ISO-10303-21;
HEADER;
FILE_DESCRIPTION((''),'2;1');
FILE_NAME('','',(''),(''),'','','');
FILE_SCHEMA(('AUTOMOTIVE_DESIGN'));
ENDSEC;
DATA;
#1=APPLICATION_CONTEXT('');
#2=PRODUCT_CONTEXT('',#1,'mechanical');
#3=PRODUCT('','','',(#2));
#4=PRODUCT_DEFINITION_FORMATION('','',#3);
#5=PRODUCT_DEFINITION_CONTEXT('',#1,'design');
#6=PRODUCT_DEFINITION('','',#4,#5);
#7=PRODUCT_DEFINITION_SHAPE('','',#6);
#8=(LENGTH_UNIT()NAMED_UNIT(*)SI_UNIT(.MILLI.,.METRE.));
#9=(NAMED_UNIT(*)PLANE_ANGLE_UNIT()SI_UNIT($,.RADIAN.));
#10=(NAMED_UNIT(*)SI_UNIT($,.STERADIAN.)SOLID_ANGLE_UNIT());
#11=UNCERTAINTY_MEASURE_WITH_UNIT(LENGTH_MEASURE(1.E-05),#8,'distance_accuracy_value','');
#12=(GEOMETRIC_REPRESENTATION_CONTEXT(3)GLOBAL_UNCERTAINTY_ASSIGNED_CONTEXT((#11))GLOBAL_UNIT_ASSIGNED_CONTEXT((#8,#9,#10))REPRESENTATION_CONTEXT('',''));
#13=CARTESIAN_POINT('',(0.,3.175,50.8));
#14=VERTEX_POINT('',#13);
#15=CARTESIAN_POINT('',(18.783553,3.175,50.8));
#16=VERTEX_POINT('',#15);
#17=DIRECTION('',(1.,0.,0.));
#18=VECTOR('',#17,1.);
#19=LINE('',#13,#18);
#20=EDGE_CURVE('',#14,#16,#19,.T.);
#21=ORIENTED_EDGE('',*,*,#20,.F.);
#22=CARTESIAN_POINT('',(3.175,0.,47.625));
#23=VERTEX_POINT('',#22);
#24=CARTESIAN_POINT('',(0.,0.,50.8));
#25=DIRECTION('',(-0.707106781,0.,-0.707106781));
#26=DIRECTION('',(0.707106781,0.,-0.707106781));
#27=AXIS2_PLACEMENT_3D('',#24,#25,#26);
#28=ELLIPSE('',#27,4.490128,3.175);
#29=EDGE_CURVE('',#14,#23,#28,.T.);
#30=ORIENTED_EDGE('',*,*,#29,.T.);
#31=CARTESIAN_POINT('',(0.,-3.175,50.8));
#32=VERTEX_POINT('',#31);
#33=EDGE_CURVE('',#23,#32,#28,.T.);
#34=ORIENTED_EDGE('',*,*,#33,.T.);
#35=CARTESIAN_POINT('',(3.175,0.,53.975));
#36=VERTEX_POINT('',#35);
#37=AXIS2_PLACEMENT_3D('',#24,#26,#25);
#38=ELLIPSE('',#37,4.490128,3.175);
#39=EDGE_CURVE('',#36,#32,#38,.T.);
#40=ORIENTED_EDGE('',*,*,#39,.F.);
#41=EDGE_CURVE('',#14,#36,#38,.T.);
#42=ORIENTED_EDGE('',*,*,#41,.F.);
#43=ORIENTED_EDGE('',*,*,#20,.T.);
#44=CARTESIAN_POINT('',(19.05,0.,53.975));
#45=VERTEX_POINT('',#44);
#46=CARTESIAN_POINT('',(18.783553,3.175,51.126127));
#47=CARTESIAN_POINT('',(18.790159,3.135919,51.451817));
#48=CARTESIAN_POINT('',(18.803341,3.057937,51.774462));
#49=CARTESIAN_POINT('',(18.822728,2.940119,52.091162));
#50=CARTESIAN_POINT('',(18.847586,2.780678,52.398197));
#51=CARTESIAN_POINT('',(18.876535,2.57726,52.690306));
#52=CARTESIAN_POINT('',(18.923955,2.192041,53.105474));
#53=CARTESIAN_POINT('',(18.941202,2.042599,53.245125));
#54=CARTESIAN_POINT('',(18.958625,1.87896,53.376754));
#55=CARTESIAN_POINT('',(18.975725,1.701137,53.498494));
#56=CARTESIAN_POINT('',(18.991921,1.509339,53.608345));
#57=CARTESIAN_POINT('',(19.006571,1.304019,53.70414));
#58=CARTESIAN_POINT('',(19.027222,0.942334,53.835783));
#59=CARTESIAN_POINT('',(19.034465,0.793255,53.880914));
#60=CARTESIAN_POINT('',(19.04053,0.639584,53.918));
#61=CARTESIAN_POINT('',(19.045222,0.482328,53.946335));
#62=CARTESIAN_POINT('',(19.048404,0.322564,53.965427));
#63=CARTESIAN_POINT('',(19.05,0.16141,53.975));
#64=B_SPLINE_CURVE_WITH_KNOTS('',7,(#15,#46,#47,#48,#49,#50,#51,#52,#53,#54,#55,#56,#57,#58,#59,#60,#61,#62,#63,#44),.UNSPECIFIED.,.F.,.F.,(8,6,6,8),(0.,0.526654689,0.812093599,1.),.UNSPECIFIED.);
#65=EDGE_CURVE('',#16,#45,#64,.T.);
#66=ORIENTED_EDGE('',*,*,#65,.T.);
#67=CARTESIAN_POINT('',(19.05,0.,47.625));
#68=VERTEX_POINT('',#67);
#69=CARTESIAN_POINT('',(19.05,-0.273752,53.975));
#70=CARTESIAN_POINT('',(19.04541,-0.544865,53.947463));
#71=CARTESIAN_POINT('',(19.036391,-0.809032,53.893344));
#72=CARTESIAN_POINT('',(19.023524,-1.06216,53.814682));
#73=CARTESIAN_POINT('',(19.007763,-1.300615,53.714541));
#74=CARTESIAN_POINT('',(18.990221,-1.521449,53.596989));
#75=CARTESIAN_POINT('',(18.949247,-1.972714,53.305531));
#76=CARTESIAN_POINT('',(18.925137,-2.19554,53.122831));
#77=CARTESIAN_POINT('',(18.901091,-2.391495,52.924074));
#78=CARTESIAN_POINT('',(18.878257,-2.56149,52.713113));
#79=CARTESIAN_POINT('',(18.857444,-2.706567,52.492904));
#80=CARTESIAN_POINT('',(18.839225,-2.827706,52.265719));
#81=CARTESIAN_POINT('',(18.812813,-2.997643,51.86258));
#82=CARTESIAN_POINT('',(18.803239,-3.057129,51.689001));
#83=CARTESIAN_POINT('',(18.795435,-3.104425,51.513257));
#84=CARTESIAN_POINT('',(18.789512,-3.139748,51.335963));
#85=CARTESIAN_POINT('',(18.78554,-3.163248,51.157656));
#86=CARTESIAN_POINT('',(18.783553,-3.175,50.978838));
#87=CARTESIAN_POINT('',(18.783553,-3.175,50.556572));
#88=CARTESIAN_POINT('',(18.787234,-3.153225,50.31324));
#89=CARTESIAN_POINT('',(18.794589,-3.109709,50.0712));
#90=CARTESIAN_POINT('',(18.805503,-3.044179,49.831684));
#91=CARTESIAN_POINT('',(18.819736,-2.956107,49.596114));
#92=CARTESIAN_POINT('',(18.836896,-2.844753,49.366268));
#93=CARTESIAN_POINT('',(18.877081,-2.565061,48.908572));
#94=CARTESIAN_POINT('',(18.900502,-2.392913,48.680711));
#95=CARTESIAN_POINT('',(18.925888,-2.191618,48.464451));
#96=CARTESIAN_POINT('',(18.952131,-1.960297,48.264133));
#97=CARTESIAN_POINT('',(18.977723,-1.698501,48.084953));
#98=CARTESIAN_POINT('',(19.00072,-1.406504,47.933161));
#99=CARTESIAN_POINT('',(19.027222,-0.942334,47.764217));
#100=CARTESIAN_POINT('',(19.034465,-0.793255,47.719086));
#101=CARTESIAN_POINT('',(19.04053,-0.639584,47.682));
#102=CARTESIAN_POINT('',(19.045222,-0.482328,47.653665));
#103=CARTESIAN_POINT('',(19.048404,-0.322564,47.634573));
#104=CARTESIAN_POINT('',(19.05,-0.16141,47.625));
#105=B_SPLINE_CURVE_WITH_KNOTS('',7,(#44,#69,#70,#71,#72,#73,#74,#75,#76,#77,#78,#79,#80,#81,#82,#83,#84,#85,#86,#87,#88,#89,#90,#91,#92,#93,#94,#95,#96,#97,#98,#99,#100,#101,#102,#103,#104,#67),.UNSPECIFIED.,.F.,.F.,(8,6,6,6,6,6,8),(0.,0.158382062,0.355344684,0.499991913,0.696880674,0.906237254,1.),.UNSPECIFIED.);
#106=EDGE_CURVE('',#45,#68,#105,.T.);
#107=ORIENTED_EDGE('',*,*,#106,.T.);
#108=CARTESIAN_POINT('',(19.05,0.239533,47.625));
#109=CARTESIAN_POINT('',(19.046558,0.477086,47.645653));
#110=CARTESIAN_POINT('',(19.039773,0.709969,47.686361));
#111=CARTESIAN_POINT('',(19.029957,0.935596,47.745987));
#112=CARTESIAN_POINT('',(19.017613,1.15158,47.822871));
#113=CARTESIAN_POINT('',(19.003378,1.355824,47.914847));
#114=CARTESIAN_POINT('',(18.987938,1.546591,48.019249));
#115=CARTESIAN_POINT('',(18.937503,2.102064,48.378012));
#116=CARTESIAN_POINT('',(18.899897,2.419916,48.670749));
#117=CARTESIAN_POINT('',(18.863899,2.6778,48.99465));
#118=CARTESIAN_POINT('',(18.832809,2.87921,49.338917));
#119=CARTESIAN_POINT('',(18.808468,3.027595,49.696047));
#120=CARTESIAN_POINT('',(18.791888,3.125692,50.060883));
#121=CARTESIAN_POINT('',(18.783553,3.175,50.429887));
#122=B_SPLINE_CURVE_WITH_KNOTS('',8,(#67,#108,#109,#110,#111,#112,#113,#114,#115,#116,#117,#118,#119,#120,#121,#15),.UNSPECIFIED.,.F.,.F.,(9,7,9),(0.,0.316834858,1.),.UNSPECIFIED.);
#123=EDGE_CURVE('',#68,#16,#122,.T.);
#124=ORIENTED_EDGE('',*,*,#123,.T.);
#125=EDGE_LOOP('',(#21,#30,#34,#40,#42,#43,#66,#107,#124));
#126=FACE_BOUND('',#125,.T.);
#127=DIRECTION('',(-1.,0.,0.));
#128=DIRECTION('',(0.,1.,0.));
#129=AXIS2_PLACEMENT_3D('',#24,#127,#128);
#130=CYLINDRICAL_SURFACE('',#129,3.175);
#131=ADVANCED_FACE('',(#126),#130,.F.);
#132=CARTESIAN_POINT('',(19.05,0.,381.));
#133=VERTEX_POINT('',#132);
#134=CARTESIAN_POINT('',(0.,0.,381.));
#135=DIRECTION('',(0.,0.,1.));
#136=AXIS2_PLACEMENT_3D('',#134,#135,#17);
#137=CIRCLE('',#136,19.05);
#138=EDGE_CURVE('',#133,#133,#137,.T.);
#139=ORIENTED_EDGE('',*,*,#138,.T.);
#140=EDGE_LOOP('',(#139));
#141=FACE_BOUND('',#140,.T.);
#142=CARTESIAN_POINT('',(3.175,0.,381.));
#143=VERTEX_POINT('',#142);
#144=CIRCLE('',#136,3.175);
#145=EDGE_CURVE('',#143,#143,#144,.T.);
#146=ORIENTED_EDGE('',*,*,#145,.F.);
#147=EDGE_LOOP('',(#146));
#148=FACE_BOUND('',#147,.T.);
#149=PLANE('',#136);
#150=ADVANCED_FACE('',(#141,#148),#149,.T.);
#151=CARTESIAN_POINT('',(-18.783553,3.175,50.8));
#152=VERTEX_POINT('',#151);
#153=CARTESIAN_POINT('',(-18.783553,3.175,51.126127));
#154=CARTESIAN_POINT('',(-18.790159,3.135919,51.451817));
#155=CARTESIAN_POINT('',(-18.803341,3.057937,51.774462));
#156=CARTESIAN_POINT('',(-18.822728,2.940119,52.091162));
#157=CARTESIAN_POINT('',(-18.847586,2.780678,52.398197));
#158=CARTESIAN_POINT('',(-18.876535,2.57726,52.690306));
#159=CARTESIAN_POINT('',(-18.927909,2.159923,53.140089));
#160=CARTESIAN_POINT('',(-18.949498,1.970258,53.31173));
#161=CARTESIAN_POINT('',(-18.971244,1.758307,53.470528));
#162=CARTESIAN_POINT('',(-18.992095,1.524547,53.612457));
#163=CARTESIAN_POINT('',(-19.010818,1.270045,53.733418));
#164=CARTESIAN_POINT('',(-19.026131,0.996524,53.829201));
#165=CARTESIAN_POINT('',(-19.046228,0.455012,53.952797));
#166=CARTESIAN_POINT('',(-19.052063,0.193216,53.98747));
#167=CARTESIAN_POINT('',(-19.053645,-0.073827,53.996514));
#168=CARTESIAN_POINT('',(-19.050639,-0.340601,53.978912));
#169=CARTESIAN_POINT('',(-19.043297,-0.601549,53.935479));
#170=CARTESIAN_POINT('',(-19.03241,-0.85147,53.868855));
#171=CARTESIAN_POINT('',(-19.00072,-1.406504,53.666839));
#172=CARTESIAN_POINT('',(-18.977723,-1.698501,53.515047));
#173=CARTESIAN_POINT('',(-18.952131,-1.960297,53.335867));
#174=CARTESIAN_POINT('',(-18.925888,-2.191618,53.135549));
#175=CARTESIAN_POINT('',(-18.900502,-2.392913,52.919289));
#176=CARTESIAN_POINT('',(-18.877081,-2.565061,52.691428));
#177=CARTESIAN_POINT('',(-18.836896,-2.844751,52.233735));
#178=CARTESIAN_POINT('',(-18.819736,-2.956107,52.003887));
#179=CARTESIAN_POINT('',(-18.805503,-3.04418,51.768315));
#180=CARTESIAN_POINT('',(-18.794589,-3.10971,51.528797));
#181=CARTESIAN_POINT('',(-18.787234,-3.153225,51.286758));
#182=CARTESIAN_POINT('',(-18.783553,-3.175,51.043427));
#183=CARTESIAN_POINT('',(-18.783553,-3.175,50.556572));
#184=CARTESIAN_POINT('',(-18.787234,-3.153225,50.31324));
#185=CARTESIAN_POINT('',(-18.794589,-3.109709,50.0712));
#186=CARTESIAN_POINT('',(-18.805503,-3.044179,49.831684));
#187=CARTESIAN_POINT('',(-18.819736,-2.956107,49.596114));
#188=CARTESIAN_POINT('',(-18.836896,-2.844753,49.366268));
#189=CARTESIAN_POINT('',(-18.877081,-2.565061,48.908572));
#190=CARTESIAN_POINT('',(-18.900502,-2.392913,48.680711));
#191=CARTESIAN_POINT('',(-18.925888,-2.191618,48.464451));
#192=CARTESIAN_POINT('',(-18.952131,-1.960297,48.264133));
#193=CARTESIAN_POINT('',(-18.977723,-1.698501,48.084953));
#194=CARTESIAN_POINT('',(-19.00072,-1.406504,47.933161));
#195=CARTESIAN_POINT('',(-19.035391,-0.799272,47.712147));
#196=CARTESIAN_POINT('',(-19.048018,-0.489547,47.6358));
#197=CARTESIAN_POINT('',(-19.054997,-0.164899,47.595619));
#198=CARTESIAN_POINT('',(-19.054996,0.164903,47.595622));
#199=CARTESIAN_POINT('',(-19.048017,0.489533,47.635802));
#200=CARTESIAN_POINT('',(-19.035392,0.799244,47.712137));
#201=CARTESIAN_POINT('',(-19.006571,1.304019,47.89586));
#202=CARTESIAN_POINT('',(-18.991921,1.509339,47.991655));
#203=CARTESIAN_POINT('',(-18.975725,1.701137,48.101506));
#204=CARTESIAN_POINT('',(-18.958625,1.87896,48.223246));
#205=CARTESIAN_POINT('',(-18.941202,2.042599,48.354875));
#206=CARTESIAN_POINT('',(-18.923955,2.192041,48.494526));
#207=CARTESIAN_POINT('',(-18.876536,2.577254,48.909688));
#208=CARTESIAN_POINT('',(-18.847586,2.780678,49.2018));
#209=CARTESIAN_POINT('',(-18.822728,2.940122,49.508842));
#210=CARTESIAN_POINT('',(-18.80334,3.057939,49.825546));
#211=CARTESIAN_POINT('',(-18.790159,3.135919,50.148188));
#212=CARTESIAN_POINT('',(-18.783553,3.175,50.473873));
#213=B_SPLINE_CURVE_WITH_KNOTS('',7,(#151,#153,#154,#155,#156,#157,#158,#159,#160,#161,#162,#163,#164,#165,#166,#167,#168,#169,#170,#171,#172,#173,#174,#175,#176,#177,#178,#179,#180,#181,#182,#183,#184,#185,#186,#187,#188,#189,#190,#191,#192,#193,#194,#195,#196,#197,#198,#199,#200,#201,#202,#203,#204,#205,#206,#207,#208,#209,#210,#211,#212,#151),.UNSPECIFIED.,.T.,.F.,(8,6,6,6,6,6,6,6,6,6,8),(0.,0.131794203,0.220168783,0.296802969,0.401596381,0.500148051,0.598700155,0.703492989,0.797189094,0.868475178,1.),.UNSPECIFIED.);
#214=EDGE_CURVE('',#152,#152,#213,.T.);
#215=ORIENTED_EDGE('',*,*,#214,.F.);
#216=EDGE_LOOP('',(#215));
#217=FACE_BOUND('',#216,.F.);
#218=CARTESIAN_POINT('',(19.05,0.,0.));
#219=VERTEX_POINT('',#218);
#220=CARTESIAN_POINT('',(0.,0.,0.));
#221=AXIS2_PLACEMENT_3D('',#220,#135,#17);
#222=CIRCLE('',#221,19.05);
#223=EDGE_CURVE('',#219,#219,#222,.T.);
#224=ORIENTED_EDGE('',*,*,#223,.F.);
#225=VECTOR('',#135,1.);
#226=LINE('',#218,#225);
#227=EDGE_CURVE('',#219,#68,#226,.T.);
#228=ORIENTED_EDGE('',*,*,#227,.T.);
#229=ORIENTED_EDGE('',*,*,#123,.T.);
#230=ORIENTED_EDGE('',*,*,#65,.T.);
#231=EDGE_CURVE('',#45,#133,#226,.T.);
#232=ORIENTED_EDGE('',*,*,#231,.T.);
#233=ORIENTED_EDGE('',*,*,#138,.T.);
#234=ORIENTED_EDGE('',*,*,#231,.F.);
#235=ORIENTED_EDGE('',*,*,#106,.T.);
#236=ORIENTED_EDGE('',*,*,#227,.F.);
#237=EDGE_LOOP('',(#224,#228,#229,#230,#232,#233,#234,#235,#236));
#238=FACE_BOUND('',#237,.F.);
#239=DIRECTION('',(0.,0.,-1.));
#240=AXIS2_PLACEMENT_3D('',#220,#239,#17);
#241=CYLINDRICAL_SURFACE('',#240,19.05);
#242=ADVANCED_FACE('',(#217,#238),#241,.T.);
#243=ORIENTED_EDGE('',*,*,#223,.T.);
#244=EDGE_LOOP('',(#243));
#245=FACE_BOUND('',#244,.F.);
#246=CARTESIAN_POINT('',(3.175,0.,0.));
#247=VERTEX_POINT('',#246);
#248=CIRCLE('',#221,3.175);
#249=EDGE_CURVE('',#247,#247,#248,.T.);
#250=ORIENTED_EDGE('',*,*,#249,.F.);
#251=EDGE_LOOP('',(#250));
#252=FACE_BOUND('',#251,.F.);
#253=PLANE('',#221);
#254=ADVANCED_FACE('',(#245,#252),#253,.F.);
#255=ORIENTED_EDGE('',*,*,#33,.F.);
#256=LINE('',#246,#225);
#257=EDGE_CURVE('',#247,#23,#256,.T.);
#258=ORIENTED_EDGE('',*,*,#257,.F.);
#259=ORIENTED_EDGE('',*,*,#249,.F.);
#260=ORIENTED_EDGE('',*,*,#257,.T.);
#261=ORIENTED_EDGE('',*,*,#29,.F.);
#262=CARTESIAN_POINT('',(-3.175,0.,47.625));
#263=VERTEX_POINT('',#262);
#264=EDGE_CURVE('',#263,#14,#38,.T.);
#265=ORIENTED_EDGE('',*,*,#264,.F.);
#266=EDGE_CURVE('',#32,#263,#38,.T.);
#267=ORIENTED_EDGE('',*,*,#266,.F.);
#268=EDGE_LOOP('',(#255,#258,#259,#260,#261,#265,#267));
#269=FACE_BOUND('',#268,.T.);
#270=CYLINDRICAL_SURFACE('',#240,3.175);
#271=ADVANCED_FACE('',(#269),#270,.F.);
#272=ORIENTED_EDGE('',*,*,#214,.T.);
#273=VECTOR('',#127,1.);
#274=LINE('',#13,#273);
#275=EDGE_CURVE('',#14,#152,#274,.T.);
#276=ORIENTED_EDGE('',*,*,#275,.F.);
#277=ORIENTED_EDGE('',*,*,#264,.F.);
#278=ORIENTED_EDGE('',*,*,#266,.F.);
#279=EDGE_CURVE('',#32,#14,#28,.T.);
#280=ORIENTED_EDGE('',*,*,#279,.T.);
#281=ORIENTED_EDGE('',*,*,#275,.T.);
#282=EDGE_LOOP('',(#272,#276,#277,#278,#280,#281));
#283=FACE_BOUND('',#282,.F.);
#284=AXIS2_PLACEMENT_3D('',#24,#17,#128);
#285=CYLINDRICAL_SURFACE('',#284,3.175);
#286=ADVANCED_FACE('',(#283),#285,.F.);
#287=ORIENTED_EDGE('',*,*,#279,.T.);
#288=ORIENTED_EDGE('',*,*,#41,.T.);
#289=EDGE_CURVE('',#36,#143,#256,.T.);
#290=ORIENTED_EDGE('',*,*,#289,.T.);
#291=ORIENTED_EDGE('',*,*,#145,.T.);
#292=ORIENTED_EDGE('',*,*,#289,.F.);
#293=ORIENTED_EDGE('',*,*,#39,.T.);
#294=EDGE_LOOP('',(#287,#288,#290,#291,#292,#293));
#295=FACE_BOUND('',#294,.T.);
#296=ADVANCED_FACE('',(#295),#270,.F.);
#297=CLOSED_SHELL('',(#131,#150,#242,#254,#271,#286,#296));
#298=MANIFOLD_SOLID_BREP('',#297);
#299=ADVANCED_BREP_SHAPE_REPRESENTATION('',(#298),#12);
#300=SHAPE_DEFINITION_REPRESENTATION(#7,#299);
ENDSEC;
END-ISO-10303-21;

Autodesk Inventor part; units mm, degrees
ref_plane "YZ Plane" through (0, 0, 0) normal (1, 0, 0) x (0, 1, 0)
ref_plane "XZ Plane" through (0, 0, 0) normal (0, 1, 0) x (-1, 0, 0)
ref_plane "XY Plane" through (0, 0, 0) normal (0, 0, 1) x (1, 0, 0)
sketch "Sketch6" plane through (0, 0, 0) normal (0, 0, 1) x (1, 0, 0)
  circle A0 centre (0, 0) radius 3.175
  circle A1 centre (0, 0) radius 19.05
  dimension "d17" = 6.35
  dimension "d18" = 38.1
extrude "Extrusion5" add sketch "Sketch6" along normal blind 381
sketch "Sketch7" plane through (0, 0, 0) normal (1, 0, 0) x (0, 1, 0)
  circle A0 centre (0, 50.8) radius 3.175
  line L0 (19.05, 0) -> (-19.05, 0) projected
  line L1 (19.05, 0) -> (19.05, 27.0227)
  line L2 (19.05, 0) -> (19.05, 381) projected
  line L3 (-19.05, 0.4439) -> (-19.05, 5.396)
  line L4 (-19.05, 0) -> (-19.05, 381) projected
  point P0 (0, 0)
  point P1 (0, 0)
  dimension "d21" = 6.35
  dimension "d22" = 19.05
  dimension "d23" = 19.05
  dimension "d24" = 50.8
extrude "Extrusion6" cut sketch "Sketch7" along normal mid plane 127
properties part number "Shaft connecting chass" material "CFRP"
